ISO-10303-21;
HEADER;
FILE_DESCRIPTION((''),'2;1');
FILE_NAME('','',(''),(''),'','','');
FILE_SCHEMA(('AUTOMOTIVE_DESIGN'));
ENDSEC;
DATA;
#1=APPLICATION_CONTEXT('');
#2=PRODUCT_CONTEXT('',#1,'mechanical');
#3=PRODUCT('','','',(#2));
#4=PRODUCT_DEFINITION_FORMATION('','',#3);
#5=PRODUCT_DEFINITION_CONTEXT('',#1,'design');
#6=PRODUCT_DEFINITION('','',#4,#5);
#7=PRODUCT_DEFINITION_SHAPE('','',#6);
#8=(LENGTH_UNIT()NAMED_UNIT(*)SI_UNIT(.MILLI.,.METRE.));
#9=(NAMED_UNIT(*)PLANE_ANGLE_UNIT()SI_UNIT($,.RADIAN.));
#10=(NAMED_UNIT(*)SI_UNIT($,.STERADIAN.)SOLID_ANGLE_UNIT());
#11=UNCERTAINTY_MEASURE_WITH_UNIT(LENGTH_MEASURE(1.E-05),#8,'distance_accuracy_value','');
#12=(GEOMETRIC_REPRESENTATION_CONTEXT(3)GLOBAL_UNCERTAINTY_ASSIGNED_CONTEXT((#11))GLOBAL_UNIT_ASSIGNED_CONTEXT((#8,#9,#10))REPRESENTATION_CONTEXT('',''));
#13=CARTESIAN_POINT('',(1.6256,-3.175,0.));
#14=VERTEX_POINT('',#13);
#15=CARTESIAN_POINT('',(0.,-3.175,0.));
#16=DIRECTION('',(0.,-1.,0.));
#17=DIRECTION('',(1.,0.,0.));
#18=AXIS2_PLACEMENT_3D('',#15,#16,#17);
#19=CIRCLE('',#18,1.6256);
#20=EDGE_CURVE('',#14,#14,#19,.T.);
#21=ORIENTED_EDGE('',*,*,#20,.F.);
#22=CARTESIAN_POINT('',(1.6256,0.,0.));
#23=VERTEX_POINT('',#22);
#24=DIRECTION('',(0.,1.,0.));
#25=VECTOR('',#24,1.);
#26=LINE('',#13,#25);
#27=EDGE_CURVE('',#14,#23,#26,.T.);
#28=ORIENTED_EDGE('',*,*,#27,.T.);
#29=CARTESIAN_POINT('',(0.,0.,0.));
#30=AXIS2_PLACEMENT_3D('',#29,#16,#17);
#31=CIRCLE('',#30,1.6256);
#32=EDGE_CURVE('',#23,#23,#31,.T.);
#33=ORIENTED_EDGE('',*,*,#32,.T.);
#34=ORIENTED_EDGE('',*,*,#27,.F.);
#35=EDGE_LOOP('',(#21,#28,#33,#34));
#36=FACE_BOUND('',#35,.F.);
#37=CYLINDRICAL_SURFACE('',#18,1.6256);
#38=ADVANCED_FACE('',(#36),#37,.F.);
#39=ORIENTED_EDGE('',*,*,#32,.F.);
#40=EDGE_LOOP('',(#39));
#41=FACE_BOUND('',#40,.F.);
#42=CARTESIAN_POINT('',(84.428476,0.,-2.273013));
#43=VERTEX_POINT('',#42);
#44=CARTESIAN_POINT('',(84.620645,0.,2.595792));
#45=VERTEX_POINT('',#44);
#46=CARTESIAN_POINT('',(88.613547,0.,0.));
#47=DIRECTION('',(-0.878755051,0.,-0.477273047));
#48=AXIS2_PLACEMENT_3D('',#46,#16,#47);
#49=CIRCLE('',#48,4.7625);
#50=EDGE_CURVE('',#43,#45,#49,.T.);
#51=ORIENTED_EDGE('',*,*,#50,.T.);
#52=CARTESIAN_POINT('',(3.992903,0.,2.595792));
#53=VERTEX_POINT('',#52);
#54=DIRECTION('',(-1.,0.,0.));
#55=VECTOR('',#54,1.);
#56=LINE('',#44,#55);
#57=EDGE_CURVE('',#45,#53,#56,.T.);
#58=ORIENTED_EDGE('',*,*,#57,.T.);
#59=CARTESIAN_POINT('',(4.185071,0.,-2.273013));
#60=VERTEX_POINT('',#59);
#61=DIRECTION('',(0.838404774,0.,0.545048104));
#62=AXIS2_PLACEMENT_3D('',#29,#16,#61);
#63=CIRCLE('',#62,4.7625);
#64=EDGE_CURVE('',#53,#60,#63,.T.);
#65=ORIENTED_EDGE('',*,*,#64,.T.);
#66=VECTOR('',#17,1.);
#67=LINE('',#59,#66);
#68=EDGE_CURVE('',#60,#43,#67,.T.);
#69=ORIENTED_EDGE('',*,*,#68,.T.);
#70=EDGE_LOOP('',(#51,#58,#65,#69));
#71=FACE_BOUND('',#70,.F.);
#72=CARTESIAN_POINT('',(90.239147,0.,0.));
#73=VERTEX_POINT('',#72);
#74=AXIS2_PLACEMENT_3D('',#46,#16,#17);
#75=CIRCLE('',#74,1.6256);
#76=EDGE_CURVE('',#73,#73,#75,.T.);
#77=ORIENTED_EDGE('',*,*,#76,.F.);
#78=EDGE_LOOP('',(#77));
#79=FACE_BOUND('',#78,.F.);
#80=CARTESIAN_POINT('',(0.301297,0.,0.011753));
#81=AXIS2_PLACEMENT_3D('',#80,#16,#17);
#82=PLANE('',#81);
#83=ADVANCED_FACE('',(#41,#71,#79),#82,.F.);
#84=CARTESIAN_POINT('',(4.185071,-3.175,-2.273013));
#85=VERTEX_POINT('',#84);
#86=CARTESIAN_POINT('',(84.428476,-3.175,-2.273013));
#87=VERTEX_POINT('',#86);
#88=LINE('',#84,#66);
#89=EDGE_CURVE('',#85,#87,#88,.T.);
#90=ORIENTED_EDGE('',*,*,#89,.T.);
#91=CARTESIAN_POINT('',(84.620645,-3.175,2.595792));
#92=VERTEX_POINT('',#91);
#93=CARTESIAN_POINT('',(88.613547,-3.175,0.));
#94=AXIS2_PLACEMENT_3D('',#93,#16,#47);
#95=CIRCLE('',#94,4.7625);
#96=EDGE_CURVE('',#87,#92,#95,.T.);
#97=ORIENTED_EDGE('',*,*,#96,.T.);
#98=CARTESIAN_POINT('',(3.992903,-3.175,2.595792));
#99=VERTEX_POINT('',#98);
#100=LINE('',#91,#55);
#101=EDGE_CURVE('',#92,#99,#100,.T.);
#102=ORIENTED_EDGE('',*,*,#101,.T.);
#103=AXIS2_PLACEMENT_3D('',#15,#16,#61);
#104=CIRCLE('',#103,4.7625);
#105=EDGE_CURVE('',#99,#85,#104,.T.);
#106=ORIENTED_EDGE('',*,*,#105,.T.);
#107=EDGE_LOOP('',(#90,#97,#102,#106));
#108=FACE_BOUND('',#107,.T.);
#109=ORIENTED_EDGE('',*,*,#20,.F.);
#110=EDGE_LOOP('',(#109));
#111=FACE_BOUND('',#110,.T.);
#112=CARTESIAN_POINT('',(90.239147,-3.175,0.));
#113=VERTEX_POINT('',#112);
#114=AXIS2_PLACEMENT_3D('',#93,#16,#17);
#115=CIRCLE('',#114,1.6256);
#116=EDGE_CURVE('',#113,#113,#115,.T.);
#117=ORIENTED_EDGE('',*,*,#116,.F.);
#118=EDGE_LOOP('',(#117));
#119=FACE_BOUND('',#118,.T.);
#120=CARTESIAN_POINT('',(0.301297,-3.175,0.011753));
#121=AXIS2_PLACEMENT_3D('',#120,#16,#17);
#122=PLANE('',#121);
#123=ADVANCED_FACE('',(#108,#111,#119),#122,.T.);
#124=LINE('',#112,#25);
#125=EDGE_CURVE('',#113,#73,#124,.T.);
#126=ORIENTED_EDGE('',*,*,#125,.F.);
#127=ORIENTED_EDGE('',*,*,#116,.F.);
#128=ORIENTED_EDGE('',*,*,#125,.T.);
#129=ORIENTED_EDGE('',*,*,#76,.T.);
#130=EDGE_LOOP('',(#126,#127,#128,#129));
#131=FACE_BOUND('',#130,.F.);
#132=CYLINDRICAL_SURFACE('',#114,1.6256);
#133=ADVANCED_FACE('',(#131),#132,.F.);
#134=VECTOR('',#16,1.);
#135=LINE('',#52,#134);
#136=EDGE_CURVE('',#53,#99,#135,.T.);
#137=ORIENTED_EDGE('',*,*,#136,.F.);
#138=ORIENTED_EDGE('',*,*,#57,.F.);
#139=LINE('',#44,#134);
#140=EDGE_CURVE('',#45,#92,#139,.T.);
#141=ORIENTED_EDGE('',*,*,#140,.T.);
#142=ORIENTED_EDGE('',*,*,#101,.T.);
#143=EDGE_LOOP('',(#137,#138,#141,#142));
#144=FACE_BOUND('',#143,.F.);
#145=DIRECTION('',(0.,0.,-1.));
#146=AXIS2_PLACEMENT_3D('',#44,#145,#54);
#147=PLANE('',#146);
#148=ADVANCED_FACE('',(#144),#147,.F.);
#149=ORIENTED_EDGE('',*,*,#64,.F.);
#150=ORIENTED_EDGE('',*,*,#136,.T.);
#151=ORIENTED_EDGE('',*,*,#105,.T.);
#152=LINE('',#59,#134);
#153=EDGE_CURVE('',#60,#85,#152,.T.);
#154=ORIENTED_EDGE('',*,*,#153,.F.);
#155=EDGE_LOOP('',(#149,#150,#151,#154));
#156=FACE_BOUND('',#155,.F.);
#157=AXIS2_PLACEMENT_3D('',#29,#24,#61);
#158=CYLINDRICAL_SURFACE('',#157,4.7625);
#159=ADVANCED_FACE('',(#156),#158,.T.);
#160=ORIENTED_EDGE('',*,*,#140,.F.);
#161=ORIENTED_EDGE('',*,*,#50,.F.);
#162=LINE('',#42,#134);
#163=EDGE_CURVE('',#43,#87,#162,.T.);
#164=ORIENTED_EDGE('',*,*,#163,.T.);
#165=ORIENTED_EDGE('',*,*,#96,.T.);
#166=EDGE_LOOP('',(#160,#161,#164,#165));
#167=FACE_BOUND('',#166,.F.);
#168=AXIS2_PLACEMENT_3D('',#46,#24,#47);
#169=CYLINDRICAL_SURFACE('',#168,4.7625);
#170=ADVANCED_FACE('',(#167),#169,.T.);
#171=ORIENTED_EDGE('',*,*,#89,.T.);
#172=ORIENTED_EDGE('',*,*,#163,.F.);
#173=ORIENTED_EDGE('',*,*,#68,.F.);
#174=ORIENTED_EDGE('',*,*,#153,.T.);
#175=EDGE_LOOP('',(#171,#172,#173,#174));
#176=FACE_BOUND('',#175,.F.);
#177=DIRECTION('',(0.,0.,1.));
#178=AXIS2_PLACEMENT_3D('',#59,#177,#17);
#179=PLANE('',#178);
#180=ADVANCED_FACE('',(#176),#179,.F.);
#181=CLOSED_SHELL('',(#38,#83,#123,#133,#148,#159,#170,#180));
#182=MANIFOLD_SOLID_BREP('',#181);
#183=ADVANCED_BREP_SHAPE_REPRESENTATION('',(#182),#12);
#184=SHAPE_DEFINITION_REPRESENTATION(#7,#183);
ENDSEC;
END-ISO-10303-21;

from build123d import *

# Parameters (mm, degrees)
F1_DEPTH = 3.175
F2_R     = 1.6256
F3_DEPTH = 25.4


with BuildPart() as f1:
    # F0 (on Front) → F1 (new body)
    with BuildSketch(Plane.XZ):
        with BuildLine():
            ThreePointArc((4.1850709288, -2.273012884), (4.6158859685, -1.1726052088), (4.7625, 0))
            ThreePointArc((4.7625, 0), (4.5660489226, 1.35373686), (3.9929027354, 2.5957915932))
            ThreePointArc((3.9929027354, 2.5957915932), (-4.7587947605, -0.1878261894), (4.1850709288, -2.273012884))
        make_face()
        with BuildLine():
            ThreePointArc((3.9929027354, 2.5957915932), (4.5660489226, 1.35373686), (4.7625, 0))
            ThreePointArc((4.7625, 0), (4.6158859685, -1.1726052088), (4.1850709288, -2.273012884))
            Line((4.1850709288, -2.273012884), (84.4284764559, -2.273012884))
            ThreePointArc((84.4284764559, -2.273012884), (83.8547526242, 0.1878261894), (84.6206446493, 2.5957915932))
            Line((84.6206446493, 2.5957915932), (3.9929027354, 2.5957915932))
        make_face()
        with BuildLine():
            ThreePointArc((93.3760473847, 0), (89.9672842448, 4.5660489226), (84.6206446493, 2.5957915932))
            ThreePointArc((84.6206446493, 2.5957915932), (83.8547526242, 0.1878261894), (84.4284764559, -2.273012884))
            ThreePointArc((84.4284764559, -2.273012884), (89.7861525935, -4.6158859685), (93.3760473847, 0))
        make_face()
    extrude(amount=F1_DEPTH)

    # F2 (on face) → F3 (cut)
    with BuildSketch(Plane.XZ.offset(3.175)):
        Circle(F2_R)
        with Locations((88.6135473847, 0)):
            Circle(F2_R)
    extrude(amount=-F3_DEPTH, mode=Mode.SUBTRACT)


solid = f1.part
